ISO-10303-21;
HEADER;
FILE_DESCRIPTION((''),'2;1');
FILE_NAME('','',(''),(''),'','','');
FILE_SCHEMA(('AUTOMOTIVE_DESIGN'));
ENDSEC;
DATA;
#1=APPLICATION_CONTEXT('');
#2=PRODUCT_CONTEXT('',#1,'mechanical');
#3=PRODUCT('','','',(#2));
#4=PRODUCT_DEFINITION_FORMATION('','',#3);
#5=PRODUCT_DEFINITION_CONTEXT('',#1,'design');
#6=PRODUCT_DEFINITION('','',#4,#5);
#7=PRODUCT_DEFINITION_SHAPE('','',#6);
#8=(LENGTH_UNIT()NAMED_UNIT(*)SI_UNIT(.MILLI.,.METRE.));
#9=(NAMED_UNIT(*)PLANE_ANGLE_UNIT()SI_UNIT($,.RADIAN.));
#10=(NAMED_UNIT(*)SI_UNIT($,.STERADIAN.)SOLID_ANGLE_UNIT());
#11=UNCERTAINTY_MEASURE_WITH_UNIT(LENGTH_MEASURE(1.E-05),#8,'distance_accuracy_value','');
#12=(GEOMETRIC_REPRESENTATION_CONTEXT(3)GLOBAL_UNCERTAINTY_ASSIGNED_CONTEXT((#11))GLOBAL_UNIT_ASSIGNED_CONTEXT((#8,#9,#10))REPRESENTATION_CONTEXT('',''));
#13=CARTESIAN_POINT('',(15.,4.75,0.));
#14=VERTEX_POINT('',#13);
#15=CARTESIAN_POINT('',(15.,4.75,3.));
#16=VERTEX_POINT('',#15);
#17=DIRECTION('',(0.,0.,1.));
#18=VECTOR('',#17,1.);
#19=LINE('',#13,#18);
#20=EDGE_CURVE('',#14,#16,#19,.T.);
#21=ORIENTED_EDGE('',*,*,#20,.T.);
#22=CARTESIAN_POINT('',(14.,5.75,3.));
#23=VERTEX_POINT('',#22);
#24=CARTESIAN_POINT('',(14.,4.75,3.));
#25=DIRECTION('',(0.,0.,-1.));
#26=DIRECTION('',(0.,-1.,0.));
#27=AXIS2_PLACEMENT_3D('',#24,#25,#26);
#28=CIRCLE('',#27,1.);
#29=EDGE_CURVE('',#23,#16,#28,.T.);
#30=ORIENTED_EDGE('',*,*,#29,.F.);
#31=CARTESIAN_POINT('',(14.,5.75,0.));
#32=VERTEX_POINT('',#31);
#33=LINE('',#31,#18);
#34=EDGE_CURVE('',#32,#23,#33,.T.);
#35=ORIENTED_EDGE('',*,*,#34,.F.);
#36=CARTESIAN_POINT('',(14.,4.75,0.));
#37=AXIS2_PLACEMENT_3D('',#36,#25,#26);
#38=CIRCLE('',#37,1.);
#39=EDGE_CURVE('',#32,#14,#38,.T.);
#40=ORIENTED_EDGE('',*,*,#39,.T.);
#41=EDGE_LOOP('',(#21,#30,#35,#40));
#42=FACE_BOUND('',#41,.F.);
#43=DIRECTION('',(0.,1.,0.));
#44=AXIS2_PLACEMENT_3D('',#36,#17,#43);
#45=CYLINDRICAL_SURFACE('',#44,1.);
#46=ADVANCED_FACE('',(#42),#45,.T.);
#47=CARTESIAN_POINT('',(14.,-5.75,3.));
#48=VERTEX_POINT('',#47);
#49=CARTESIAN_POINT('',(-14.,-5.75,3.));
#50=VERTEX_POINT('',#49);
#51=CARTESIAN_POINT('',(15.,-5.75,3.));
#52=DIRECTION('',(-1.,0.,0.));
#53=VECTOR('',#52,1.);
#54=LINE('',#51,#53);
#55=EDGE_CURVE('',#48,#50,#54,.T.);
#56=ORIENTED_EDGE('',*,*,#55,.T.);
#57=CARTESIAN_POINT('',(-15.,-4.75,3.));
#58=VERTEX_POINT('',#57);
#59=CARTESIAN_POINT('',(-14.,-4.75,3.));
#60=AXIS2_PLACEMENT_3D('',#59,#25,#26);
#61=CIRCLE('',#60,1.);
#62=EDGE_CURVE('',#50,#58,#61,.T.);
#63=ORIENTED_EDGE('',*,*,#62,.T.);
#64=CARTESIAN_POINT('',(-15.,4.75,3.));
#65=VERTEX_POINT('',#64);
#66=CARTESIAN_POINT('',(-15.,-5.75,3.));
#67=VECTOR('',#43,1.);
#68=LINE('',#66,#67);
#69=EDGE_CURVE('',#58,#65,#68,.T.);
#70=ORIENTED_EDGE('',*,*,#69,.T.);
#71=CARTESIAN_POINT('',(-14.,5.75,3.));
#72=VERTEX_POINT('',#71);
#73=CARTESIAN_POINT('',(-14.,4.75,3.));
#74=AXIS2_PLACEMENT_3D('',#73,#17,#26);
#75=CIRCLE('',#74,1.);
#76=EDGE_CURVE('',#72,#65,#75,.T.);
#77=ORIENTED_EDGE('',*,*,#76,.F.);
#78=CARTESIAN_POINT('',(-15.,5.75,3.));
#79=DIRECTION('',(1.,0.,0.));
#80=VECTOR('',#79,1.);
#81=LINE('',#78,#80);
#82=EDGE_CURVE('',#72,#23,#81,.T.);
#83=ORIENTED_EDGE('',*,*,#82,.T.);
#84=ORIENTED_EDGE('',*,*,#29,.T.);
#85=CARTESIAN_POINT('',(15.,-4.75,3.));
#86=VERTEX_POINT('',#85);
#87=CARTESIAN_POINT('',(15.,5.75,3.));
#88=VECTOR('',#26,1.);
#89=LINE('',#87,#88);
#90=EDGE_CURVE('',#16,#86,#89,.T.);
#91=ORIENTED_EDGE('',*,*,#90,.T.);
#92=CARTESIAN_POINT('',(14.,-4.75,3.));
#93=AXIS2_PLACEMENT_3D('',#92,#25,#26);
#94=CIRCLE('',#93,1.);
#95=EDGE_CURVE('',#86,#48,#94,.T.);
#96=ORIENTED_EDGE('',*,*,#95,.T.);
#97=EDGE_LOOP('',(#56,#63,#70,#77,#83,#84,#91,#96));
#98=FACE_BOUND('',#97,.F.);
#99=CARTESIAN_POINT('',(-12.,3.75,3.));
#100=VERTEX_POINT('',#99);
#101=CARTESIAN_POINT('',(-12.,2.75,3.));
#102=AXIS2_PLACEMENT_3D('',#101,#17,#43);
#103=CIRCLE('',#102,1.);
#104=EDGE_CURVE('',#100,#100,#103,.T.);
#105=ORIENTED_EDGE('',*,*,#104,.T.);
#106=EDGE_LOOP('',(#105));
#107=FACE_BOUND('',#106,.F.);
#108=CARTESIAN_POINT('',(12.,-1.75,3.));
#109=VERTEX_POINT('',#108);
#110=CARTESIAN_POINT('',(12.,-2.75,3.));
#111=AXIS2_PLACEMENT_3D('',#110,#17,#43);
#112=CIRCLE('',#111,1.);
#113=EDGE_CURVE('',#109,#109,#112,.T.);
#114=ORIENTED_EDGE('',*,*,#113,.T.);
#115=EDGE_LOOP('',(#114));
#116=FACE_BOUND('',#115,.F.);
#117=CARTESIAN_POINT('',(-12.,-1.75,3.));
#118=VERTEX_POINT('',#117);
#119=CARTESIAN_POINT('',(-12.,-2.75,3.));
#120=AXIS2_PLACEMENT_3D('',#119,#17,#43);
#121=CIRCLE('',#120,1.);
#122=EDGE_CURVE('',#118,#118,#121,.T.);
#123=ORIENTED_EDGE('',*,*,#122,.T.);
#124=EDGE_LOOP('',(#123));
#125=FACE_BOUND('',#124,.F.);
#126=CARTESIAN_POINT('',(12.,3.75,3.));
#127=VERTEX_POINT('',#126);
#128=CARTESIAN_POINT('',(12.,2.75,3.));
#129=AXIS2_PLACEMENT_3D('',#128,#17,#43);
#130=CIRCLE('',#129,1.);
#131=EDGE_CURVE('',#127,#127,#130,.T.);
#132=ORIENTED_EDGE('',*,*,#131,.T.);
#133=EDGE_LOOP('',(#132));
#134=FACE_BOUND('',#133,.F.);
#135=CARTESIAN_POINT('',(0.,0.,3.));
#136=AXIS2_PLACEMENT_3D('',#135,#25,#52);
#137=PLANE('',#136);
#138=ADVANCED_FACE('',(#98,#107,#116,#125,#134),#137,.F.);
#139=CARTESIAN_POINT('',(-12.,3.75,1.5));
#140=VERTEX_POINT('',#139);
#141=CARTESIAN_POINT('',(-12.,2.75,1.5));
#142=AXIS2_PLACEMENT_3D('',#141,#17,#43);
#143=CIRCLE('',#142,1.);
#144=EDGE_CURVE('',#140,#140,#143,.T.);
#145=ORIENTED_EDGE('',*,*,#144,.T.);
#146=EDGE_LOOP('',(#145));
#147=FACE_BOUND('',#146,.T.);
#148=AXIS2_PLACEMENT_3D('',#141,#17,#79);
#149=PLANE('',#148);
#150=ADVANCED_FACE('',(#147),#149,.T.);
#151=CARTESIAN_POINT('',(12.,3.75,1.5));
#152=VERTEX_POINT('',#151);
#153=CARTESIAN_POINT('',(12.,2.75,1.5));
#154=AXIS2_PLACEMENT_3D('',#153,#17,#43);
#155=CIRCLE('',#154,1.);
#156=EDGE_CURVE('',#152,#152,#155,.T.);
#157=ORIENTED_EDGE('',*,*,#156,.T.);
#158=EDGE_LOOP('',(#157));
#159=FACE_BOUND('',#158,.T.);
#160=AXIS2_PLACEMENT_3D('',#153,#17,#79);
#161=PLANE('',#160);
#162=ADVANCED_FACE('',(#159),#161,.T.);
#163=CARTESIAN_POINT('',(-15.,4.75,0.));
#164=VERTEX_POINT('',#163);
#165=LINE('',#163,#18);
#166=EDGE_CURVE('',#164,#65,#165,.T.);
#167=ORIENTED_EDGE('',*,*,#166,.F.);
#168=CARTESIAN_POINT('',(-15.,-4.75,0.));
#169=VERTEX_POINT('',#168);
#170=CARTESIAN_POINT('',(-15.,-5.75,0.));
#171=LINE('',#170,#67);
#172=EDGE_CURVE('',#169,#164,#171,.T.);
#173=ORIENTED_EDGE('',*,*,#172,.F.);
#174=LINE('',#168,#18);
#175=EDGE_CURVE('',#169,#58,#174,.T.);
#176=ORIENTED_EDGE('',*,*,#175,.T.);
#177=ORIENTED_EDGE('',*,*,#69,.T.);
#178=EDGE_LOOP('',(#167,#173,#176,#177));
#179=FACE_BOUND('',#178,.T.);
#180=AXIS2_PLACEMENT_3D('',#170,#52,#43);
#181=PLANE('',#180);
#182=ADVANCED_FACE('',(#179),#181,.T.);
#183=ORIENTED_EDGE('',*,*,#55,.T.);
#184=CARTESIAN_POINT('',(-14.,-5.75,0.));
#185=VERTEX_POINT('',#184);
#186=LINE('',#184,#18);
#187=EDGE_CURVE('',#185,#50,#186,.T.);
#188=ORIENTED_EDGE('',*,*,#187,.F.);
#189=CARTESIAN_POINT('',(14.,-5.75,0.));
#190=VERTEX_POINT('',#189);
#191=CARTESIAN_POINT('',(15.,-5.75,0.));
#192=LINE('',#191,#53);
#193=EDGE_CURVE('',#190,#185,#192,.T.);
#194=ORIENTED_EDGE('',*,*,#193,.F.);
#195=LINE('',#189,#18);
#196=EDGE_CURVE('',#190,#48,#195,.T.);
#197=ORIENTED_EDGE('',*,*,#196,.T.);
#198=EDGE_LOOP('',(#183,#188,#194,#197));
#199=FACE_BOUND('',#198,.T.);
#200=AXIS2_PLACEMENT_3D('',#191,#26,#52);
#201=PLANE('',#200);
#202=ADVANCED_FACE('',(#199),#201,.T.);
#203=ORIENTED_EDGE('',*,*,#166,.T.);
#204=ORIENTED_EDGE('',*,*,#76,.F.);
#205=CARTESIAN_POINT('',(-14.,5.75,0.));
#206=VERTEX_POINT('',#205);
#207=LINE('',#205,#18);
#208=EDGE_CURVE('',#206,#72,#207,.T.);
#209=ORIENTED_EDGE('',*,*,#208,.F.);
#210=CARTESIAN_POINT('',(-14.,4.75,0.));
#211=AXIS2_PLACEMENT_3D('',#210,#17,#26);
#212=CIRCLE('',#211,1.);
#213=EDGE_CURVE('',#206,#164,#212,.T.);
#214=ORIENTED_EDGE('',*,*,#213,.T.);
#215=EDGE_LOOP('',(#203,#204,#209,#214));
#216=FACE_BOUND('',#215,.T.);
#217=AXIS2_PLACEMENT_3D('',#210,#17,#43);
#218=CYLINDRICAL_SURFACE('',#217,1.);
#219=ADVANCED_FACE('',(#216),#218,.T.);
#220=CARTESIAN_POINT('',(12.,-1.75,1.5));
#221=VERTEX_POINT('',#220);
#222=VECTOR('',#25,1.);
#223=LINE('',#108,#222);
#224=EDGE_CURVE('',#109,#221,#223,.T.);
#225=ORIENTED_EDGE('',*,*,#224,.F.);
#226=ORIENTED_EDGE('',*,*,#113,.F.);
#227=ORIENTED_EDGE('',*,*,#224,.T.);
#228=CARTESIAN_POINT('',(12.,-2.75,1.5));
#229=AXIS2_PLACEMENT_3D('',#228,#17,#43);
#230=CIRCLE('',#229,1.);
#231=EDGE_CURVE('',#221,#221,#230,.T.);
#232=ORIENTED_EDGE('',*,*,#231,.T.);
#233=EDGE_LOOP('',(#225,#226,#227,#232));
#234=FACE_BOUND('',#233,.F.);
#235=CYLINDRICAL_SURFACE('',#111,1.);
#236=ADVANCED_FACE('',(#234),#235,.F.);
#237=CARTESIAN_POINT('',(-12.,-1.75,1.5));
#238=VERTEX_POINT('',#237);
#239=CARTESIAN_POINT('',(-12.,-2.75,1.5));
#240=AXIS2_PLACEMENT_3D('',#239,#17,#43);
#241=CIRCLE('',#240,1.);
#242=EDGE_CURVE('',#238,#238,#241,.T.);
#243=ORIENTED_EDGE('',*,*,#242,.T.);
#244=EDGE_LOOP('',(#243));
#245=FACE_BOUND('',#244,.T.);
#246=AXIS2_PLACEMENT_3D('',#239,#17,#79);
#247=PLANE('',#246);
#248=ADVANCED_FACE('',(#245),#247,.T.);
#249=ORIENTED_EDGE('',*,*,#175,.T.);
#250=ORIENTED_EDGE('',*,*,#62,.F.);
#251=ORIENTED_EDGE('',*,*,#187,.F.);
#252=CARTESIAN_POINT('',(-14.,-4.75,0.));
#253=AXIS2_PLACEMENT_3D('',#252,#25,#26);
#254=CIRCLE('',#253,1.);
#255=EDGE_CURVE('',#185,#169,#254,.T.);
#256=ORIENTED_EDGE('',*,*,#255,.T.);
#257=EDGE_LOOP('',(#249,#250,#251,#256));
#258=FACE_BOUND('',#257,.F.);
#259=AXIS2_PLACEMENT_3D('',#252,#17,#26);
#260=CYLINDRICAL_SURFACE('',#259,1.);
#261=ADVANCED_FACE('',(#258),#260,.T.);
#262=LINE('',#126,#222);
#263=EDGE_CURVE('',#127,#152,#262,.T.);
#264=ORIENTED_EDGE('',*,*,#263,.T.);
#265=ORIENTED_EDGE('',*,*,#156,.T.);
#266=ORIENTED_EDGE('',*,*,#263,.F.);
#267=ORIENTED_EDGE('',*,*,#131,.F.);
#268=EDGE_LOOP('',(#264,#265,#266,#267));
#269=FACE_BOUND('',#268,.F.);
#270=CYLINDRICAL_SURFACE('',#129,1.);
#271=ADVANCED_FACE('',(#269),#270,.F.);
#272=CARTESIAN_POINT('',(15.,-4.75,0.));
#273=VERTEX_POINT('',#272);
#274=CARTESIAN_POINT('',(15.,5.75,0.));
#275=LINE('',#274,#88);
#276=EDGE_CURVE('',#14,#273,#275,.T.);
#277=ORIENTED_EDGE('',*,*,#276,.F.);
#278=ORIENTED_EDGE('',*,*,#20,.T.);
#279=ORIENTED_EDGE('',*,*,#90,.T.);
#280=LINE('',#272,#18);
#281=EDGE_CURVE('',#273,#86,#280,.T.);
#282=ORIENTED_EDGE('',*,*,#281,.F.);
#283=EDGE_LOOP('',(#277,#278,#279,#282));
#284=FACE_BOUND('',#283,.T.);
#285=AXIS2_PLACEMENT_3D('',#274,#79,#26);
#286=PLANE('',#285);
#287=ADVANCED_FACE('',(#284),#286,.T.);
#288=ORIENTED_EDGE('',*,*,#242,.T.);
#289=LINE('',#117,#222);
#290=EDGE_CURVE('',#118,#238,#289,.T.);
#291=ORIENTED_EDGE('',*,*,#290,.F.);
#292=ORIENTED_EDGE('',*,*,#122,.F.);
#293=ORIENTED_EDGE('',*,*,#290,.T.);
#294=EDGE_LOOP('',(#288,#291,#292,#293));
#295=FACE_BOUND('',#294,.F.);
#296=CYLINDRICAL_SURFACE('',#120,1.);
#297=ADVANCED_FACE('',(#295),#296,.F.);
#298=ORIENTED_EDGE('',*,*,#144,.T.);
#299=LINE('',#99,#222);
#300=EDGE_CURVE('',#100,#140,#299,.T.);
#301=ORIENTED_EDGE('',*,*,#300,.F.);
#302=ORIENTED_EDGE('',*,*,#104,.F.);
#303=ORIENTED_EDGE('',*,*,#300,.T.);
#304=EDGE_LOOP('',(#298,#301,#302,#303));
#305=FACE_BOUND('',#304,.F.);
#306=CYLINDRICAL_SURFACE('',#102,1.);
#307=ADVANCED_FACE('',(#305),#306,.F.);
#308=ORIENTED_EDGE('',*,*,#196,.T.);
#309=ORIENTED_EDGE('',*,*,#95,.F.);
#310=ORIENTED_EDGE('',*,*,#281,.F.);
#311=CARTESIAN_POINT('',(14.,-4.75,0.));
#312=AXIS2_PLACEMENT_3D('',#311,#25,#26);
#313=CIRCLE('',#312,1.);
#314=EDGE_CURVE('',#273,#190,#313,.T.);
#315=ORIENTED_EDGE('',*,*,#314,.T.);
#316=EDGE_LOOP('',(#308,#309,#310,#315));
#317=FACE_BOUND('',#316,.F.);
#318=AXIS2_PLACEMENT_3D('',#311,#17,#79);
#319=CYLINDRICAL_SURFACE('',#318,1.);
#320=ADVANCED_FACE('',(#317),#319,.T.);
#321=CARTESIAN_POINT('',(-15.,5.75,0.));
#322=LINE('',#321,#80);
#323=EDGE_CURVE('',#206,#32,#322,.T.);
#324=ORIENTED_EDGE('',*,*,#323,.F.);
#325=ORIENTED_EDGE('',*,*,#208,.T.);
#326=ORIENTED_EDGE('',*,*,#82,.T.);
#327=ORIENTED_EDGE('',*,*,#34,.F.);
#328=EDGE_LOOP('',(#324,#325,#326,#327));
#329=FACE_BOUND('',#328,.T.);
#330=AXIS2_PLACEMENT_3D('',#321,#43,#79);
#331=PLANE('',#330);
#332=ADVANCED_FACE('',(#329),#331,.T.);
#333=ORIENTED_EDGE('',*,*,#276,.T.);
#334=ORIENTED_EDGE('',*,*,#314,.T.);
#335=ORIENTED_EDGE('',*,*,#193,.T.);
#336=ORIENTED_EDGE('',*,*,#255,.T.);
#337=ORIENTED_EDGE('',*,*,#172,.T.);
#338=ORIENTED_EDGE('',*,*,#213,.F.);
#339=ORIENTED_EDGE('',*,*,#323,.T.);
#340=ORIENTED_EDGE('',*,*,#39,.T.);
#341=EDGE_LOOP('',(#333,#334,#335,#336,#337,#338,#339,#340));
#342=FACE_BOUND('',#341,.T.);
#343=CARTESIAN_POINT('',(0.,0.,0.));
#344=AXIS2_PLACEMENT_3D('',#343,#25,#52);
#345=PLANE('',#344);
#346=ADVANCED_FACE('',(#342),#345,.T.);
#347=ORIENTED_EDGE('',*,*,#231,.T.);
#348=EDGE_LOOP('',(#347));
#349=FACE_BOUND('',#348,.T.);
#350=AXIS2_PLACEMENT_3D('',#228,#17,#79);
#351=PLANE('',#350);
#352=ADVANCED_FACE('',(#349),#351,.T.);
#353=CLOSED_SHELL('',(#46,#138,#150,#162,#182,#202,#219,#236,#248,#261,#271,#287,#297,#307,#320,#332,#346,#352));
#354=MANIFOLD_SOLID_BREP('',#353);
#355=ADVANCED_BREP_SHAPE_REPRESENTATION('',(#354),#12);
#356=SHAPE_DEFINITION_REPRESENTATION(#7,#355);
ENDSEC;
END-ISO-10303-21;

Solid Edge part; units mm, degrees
sketch "Sketch1" plane through (0, 0, 0) normal (0, 0, 1) x (1, 0, 0)
  line L0 (-15, 5.75) -> (15, 5.75)
  line L1 (15, 5.75) -> (15, -5.75)
  line L2 (15, -5.75) -> (-15, -5.75)
  line L3 (-15, -5.75) -> (-15, 5.75)
  dimension "D1" = 30
  dimension "D2" = 11.5
extrude "Protrusion1" add sketch "Sketch1" along normal blind 3
fillet "Avrundningar_1" radius 1 4 edges at (-15, -5.75, 1.5) (15, -5.75, 1.5) (15, 5.75, 1.5) (-15, 5.75, 1.5)
sketch "Sketch2" plane through (0, 0, 3) normal (0, 0, 1) x (0, 1, 0)
  circle A0 centre (-2.75, 12) radius 1
  circle A1 centre (2.75, 12) radius 1
  circle A2 centre (2.75, -12) radius 1
  circle A3 centre (-2.75, -12) radius 1
  dimension "D1" = 3
  dimension "D2" = 3
  dimension "D3" = 3
  dimension "D4" = 3
  dimension "D5" = 2
extrude "Utskärning_fäste_fjädrar" cut sketch "Sketch2" against normal blind 1.5
